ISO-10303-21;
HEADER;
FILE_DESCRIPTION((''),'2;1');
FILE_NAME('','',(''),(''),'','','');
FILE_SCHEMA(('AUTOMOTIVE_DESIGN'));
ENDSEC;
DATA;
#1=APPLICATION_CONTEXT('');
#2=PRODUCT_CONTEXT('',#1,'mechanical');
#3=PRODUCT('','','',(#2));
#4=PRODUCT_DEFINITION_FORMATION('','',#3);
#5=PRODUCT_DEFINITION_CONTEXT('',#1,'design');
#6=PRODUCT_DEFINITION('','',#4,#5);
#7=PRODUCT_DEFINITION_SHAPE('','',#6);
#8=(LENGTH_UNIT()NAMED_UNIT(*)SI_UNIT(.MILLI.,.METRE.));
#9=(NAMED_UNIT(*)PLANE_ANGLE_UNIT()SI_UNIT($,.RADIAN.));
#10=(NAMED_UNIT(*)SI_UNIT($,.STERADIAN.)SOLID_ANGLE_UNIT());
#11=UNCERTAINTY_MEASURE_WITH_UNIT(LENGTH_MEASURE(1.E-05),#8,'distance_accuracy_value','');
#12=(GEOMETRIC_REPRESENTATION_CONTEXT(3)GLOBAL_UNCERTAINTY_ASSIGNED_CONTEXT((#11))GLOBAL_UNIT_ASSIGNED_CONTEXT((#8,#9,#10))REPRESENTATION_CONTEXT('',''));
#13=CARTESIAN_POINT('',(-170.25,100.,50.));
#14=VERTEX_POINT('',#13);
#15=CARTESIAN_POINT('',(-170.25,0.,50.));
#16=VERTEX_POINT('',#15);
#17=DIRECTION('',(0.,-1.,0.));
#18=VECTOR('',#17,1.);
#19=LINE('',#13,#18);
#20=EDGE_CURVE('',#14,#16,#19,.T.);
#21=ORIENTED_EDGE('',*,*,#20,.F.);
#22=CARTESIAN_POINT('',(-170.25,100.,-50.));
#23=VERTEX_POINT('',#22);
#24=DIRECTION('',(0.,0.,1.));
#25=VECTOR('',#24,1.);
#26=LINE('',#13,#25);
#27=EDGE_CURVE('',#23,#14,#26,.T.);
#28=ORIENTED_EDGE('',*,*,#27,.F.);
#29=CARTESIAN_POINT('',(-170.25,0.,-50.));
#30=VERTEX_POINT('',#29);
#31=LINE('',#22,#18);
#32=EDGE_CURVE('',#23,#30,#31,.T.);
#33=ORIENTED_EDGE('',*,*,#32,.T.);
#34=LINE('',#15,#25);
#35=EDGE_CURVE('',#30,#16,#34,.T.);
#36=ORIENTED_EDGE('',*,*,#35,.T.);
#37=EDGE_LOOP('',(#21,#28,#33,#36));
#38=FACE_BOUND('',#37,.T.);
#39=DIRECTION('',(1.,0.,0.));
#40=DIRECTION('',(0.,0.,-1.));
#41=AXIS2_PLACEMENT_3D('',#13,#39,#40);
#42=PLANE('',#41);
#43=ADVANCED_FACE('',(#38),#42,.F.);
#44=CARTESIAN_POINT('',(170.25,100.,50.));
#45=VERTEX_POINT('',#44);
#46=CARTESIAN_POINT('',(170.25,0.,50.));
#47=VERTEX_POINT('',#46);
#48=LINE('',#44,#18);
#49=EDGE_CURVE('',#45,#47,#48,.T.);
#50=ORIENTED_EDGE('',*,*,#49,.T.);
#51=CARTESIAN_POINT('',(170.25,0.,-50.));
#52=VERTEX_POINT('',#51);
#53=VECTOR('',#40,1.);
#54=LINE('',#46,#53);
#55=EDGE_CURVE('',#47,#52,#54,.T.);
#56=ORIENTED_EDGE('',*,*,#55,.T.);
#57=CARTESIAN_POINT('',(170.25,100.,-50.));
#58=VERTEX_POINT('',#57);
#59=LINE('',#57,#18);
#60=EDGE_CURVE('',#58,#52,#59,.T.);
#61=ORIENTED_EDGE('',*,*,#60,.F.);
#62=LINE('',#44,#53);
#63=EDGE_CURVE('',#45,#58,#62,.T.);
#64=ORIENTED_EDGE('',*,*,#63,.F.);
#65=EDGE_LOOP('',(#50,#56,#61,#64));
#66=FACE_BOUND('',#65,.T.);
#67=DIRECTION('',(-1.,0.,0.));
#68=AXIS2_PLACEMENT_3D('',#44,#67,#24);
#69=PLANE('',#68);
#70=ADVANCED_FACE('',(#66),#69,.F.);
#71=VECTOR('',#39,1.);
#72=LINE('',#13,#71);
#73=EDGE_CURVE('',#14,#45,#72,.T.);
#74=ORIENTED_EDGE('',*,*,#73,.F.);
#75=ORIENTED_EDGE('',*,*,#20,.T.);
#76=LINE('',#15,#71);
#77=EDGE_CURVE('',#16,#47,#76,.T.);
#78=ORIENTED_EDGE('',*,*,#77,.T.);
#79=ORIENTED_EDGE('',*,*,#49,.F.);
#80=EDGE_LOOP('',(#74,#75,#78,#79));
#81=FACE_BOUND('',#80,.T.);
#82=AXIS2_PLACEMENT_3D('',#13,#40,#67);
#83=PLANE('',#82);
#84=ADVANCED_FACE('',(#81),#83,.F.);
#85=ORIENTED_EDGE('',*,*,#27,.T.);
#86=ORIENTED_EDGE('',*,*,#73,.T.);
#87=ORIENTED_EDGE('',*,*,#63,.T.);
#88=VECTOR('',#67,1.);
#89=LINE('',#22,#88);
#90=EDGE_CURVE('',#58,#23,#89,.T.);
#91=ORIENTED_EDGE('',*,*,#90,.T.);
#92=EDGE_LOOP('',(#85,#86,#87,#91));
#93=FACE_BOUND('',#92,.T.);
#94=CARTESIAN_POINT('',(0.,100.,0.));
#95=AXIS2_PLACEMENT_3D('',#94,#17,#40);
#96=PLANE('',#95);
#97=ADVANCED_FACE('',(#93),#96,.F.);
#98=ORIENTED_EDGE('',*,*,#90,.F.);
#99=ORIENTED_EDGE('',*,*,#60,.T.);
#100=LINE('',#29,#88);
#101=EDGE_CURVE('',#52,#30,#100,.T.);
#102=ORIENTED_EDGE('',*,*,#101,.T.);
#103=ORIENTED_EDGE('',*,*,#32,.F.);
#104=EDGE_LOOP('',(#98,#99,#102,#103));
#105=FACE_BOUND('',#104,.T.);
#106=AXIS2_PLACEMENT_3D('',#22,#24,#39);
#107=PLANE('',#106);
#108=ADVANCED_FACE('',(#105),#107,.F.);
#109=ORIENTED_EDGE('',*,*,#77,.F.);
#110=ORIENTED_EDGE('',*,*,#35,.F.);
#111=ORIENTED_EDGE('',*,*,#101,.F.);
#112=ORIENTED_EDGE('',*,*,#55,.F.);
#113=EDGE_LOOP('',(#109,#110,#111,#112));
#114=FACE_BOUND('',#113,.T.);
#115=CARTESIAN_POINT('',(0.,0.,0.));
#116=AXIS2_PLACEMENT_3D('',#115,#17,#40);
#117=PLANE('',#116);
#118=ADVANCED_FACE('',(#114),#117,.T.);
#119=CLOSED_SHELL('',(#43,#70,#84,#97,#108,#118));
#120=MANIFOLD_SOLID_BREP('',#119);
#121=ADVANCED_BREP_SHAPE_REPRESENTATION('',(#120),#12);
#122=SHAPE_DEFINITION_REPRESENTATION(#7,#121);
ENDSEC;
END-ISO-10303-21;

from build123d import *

# Parameters (mm, degrees)
SKETCH1_W           = 340.5
SKETCH1_H           = 100
BOSS_EXTRUDE1_DEPTH = 100


with BuildPart() as part:
    # Sketch1 → Boss-Extrude1 (new body)
    with BuildSketch(Plane(origin=(0, 0, 0), x_dir=(1, 0, 0), z_dir=(0, 1, 0))):
        Rectangle(SKETCH1_W, SKETCH1_H)
    extrude(amount=BOSS_EXTRUDE1_DEPTH)


solid = part.part
